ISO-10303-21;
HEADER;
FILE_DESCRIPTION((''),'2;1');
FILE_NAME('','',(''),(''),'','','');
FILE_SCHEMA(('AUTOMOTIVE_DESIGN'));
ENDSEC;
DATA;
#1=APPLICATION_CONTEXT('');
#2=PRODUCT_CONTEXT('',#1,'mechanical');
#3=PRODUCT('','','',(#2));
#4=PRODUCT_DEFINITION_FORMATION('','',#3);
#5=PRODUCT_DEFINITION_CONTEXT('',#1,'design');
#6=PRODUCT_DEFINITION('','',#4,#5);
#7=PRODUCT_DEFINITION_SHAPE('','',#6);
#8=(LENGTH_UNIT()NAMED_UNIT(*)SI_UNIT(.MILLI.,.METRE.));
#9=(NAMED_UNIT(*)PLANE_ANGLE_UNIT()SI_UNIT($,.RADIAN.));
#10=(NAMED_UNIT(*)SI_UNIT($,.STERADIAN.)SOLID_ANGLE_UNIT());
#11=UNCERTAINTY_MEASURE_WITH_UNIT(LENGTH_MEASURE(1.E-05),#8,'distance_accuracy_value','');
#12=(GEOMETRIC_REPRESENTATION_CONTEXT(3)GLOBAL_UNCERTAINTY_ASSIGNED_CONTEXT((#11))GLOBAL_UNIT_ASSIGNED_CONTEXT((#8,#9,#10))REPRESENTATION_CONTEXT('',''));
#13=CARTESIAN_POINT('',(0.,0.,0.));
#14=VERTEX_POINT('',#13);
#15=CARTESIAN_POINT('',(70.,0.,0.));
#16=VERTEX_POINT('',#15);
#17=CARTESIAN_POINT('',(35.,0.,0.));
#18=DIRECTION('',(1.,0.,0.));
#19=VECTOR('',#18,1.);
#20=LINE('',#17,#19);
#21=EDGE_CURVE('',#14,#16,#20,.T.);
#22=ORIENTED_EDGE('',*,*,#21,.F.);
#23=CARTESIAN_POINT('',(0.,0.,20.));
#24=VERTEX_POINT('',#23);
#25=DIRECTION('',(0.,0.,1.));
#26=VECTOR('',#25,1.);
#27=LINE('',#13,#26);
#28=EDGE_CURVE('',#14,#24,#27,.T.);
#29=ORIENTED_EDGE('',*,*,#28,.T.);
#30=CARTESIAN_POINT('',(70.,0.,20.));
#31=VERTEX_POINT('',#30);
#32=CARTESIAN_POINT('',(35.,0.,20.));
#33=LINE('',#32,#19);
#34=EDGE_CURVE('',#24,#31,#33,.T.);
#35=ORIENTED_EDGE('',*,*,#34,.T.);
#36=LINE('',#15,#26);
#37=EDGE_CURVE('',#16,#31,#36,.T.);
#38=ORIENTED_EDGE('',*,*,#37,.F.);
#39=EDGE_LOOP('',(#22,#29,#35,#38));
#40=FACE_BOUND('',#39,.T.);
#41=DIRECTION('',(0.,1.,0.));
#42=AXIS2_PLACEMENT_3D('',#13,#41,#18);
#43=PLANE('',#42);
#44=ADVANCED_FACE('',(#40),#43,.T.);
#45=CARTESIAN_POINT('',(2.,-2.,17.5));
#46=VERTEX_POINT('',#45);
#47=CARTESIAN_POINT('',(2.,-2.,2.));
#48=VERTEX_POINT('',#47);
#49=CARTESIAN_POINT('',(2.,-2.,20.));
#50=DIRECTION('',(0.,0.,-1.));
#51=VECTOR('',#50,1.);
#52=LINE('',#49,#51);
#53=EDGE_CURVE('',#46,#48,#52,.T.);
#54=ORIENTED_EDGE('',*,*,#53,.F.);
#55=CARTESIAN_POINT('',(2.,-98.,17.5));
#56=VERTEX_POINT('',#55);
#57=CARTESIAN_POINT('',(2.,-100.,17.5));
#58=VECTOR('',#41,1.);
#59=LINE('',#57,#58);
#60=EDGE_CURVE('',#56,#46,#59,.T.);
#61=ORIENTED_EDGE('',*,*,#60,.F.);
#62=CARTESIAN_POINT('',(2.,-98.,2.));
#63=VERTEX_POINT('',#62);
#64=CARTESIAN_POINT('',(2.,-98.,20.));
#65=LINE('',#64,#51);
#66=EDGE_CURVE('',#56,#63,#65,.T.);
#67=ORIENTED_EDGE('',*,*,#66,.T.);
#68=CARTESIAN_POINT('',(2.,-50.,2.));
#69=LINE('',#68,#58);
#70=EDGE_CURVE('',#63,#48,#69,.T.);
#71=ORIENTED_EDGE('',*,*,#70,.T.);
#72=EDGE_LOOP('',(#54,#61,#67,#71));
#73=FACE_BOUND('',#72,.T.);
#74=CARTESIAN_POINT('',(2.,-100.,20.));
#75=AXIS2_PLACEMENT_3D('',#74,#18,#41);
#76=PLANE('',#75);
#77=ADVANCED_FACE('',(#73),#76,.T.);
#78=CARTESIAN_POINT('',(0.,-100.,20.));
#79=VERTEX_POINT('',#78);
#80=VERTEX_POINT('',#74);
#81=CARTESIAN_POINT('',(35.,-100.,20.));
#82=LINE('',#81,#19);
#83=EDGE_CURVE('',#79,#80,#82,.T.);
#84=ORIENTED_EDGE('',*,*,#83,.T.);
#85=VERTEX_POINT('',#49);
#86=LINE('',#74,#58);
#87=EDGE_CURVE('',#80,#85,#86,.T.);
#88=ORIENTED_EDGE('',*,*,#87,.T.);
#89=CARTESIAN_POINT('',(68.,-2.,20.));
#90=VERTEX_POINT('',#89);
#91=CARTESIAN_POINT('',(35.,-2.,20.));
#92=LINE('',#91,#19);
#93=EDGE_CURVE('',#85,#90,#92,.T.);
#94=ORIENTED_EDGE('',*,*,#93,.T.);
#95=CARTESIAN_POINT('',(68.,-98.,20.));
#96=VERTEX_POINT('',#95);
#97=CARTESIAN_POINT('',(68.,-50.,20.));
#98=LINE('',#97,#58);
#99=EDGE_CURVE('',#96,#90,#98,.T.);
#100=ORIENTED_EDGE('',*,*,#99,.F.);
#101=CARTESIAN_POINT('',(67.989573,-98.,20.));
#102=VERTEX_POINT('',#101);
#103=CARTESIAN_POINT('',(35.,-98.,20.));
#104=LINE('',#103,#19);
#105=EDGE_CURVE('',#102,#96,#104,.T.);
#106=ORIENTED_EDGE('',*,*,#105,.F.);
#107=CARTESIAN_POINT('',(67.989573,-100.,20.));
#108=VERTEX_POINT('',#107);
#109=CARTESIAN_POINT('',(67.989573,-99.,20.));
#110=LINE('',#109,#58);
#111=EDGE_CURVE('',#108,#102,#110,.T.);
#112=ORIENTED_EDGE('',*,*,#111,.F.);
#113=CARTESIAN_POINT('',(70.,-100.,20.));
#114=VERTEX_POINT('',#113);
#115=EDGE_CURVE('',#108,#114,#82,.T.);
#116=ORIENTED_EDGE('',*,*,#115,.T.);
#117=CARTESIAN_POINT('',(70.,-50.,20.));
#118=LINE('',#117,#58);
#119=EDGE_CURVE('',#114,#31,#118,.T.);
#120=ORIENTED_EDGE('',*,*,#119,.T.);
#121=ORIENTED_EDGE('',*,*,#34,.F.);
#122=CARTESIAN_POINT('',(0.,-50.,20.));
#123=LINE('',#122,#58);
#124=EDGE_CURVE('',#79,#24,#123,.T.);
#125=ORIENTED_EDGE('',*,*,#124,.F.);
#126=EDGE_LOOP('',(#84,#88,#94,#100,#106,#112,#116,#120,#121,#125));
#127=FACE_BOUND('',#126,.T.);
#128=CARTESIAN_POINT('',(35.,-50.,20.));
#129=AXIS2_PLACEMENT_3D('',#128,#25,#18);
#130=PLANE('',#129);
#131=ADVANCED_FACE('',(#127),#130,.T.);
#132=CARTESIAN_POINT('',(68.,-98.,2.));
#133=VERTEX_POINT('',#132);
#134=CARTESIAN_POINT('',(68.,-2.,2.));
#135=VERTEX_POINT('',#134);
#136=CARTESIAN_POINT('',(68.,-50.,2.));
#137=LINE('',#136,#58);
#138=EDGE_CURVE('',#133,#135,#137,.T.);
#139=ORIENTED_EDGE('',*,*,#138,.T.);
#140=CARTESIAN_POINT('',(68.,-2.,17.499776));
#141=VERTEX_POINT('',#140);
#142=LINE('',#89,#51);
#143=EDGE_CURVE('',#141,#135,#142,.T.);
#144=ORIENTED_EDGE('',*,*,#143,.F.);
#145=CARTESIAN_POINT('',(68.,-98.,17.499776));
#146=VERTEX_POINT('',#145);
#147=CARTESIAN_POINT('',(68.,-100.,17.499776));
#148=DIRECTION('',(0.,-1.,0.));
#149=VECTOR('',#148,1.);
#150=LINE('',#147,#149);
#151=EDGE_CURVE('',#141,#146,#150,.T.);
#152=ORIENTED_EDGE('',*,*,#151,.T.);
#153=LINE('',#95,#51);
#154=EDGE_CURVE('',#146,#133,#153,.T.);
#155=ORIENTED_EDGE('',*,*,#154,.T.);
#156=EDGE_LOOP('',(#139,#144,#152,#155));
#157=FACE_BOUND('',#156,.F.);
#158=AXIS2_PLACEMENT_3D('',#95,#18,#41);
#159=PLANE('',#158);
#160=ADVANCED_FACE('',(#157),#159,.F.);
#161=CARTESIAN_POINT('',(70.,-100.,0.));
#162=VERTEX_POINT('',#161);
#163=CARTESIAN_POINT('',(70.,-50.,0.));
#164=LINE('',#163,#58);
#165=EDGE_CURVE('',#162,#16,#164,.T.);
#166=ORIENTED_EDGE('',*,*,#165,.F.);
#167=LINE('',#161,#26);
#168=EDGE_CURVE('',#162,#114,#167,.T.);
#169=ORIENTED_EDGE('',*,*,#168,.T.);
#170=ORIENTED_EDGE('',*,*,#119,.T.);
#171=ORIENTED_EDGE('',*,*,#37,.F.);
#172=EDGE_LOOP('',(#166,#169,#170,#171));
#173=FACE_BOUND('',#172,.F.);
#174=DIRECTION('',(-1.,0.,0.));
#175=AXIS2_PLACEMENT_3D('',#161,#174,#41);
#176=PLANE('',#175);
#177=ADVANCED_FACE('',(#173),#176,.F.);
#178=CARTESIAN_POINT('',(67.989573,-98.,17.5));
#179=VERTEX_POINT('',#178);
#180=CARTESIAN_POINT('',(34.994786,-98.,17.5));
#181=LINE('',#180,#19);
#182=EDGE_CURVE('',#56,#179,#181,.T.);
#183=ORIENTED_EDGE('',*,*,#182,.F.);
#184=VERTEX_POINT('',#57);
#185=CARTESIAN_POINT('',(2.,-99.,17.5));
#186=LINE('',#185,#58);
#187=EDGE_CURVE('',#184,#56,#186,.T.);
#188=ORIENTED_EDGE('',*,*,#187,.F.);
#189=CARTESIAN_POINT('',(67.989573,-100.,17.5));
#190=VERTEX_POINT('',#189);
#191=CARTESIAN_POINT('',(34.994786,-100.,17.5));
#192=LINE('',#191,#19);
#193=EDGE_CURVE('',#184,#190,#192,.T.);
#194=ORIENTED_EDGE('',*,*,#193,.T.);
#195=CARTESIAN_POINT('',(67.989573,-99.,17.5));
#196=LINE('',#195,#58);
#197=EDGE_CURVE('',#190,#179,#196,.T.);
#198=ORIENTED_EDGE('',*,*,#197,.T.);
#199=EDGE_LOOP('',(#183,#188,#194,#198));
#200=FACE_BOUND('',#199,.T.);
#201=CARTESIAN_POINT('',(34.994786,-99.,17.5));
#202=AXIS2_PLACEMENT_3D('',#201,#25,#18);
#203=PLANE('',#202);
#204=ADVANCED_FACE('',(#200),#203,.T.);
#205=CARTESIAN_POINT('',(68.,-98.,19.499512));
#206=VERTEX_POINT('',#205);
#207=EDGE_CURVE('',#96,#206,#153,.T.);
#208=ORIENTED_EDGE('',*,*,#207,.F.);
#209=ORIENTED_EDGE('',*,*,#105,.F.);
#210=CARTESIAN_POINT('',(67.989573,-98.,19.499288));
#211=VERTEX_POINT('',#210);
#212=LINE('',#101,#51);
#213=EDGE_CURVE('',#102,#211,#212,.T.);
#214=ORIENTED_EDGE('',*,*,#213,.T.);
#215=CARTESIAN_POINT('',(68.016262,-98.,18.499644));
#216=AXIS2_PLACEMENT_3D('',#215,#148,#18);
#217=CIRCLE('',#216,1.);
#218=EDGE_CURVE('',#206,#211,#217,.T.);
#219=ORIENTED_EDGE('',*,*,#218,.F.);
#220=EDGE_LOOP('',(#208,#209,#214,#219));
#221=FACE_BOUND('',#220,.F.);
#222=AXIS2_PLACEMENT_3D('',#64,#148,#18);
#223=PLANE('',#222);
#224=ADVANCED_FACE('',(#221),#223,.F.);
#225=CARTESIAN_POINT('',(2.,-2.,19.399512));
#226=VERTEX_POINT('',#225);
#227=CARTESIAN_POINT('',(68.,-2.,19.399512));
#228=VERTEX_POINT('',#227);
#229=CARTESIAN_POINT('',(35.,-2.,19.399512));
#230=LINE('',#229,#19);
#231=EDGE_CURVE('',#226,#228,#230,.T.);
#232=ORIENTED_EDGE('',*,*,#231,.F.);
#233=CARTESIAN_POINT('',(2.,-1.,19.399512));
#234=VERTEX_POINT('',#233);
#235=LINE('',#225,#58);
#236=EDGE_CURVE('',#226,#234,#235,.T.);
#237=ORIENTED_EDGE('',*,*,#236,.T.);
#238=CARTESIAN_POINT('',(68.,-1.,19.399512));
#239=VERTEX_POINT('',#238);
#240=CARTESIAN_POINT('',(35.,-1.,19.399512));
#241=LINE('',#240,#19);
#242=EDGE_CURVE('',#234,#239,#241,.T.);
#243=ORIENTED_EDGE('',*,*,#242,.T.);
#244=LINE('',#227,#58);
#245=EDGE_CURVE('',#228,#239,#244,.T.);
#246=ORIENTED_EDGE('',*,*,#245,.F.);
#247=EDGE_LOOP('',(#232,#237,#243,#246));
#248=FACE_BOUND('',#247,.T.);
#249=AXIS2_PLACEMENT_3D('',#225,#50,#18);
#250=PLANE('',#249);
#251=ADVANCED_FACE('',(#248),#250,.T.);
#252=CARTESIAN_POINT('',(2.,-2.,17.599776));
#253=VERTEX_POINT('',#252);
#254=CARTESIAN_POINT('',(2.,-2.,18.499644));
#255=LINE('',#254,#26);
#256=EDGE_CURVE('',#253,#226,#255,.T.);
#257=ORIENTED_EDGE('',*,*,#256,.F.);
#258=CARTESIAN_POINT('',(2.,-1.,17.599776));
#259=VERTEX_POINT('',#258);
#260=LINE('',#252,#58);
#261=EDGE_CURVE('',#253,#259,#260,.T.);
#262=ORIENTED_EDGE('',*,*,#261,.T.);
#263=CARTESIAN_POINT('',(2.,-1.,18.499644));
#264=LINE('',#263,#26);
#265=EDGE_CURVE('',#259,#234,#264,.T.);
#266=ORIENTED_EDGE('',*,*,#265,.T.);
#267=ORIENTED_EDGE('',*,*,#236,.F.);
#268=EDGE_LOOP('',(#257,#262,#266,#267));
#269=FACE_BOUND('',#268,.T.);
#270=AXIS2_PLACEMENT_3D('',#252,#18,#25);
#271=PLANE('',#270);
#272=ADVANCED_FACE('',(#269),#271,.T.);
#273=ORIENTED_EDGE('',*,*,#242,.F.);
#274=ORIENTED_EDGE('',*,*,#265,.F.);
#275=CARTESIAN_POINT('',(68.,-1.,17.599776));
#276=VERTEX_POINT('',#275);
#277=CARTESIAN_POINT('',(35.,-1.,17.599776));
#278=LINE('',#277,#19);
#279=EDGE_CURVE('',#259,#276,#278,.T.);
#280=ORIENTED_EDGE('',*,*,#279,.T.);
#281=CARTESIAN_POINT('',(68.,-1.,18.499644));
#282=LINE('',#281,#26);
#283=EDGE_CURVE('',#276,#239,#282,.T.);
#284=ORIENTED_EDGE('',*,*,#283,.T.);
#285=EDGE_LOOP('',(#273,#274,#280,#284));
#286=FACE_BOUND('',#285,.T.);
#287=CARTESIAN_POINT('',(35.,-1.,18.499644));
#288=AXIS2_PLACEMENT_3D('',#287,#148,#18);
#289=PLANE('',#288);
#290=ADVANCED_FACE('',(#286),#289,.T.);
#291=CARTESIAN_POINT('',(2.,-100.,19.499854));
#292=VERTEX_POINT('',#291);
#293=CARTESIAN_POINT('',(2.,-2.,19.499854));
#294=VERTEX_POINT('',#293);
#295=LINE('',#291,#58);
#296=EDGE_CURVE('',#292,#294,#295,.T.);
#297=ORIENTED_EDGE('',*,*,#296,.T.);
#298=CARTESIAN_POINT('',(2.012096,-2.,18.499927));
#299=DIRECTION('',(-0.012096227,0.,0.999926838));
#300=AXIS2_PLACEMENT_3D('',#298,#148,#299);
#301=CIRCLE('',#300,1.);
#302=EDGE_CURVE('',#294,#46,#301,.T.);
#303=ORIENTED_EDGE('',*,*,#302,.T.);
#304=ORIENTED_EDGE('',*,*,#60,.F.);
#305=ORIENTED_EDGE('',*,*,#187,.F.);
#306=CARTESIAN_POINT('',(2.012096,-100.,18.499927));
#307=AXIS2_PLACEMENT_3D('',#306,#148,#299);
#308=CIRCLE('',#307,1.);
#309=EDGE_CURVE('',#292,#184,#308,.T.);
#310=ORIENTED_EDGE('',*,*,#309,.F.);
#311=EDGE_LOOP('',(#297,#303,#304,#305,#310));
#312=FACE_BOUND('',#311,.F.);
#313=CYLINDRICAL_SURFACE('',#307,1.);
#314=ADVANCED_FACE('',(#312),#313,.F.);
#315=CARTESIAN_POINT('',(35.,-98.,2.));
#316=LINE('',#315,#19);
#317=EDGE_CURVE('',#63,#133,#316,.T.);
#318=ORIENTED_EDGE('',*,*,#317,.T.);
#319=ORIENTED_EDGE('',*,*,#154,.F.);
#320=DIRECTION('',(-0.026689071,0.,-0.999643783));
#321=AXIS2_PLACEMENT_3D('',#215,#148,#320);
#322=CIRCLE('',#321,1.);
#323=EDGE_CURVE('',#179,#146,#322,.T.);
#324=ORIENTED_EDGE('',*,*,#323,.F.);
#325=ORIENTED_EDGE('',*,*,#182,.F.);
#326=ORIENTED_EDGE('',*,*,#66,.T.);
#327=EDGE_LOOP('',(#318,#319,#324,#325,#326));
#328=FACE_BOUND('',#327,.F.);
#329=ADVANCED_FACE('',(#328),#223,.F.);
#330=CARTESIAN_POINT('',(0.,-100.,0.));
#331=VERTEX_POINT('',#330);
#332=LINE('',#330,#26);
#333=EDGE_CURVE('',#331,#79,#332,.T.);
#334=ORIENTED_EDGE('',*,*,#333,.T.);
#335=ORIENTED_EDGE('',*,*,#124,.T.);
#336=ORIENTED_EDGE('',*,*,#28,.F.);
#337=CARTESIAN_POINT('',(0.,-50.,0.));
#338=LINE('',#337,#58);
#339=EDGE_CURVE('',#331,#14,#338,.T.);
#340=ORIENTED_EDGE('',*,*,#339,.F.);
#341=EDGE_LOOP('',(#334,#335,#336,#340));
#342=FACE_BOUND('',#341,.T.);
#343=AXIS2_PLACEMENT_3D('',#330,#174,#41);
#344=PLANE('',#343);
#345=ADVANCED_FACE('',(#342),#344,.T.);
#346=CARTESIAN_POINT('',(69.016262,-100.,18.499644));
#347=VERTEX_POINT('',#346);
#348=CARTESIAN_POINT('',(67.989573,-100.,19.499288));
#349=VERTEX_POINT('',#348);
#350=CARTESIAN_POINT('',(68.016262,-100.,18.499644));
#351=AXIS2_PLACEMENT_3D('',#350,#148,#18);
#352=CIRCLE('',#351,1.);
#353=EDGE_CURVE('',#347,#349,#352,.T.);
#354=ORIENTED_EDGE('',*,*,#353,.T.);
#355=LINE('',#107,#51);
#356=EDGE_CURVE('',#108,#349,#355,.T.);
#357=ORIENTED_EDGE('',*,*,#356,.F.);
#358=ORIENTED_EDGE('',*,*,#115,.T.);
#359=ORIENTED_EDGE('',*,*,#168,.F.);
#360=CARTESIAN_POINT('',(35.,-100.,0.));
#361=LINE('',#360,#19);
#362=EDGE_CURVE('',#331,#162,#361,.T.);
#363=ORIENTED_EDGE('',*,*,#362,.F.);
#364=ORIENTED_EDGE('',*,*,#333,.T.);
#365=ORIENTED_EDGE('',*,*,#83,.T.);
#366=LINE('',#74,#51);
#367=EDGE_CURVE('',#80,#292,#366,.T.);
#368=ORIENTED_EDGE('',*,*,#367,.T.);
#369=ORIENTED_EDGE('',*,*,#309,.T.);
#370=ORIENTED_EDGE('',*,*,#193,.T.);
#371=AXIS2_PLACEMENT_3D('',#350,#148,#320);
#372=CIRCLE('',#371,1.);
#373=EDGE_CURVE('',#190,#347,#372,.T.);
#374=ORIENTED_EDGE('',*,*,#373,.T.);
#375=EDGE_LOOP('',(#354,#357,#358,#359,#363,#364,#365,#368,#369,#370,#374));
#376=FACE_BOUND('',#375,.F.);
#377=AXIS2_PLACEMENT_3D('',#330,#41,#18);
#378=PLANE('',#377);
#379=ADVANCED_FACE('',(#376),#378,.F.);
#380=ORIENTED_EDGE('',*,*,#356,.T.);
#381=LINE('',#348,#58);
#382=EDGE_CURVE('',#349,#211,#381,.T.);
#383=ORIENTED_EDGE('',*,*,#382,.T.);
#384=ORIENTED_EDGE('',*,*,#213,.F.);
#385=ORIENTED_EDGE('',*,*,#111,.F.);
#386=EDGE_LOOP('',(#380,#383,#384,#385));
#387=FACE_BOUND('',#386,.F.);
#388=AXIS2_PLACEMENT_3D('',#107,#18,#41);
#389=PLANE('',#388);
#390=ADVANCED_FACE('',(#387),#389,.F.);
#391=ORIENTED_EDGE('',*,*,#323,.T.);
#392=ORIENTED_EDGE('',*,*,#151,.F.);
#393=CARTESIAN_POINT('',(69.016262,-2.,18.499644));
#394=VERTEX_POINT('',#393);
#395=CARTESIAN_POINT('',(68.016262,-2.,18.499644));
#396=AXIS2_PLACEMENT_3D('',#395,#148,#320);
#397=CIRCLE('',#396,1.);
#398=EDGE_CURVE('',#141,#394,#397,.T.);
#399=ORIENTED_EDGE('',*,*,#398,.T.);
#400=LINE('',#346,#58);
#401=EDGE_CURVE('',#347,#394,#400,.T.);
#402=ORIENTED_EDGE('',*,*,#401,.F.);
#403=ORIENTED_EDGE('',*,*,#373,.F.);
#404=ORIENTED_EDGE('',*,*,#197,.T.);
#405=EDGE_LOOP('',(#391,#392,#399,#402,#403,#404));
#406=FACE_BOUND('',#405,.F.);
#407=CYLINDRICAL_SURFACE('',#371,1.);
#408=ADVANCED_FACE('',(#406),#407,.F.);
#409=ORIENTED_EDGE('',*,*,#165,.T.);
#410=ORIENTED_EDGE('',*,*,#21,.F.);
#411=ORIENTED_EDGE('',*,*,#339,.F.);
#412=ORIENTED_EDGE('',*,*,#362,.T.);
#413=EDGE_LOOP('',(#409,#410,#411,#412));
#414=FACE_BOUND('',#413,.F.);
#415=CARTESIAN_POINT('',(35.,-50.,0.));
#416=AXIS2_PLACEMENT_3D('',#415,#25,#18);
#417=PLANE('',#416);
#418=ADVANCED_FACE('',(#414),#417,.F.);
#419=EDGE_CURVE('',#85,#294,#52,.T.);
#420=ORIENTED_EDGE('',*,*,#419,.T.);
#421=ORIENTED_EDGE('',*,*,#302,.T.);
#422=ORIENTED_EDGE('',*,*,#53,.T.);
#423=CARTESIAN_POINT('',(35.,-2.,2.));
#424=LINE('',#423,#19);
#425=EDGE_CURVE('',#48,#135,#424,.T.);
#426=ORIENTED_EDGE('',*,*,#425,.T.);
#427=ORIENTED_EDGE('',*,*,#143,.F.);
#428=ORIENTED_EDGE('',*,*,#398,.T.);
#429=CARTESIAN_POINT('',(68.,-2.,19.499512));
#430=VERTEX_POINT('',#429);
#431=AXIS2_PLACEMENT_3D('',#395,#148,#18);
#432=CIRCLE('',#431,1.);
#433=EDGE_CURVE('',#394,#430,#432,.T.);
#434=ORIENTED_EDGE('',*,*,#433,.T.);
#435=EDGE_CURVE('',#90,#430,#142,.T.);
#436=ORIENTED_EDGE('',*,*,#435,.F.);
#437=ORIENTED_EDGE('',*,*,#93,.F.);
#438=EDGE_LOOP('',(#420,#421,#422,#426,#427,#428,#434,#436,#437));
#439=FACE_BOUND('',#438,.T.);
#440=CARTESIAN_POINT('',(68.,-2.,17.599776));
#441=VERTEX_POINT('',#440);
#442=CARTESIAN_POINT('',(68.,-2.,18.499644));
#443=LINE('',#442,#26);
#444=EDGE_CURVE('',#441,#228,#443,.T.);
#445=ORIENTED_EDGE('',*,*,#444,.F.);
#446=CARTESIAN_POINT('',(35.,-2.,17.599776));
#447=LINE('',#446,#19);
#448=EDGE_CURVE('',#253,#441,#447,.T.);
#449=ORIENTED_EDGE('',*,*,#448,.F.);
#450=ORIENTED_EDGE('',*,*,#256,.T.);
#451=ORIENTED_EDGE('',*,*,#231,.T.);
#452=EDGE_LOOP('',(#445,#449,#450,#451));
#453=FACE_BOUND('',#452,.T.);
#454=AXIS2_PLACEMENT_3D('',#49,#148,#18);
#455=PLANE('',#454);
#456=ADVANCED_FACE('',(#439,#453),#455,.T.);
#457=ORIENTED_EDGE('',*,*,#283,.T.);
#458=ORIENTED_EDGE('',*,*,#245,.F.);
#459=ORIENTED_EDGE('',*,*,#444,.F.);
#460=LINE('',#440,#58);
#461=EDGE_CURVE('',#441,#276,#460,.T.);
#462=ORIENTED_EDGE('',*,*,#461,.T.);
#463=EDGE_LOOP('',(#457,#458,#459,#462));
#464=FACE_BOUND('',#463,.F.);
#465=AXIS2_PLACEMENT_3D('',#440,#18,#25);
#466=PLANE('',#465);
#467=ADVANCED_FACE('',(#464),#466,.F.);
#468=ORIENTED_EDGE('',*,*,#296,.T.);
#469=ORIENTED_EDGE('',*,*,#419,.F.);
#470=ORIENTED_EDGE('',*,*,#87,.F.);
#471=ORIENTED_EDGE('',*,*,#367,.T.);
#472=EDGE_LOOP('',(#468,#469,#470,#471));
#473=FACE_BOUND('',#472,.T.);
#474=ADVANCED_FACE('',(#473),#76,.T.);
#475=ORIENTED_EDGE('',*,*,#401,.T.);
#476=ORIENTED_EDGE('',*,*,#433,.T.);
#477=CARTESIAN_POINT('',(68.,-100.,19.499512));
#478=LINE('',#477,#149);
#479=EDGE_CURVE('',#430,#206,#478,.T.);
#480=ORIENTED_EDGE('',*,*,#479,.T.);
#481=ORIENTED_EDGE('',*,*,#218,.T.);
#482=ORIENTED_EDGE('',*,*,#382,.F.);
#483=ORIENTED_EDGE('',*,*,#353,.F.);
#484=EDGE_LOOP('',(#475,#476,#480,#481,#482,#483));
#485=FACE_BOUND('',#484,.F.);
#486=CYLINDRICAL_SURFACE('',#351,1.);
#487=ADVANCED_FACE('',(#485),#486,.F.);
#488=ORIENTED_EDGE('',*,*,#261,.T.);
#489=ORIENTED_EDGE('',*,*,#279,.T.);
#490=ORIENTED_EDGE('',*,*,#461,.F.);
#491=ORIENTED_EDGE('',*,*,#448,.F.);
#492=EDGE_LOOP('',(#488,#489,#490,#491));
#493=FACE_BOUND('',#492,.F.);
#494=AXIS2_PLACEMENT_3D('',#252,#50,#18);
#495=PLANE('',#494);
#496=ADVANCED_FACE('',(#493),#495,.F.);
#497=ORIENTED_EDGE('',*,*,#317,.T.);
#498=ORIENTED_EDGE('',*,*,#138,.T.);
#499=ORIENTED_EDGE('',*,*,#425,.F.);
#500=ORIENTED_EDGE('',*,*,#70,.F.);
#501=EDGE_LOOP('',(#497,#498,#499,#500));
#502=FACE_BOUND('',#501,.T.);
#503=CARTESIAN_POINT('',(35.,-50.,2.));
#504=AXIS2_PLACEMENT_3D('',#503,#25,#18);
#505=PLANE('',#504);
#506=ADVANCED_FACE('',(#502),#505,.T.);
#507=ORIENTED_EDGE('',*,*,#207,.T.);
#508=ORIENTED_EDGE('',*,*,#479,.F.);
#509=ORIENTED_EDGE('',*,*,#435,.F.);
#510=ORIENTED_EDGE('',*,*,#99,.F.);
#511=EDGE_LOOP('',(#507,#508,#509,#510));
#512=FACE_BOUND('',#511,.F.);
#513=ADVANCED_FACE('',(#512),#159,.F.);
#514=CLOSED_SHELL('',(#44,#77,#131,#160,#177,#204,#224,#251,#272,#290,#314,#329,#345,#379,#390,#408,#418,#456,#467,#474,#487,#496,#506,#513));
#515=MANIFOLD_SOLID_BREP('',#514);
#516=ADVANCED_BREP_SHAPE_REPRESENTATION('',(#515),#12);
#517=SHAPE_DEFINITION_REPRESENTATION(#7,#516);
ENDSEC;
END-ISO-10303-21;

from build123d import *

# Parameters (mm, degrees)
F0_W     = 70
F0_H     = 100
F1_DEPTH = 20
F2_W     = 66
F2_H     = 96
F3_DEPTH = 18
F4_W     = 65.9895728827
F4_H     = 2
F5_DEPTH = 2.5
F7_DEPTH = 98
F8_W     = 66
F8_H     = 1.7997355314
F9_DEPTH = 1


with BuildPart() as f1:
    # F0 (on Top) → F1 (new body)
    with BuildSketch(Plane.XY):
        with Locations((35, -50)):
            Rectangle(F0_W, F0_H)
    extrude(amount=F1_DEPTH)

    # F2 (on face) → F3 (cut)
    with BuildSketch(Plane.XY.offset(20)):
        with Locations((35, -50)):
            Rectangle(F2_W, F2_H)
    extrude(amount=-F3_DEPTH, mode=Mode.SUBTRACT)

    # F4 (on face) → F5 (cut)
    with BuildSketch(Plane.XY.offset(20)):
        with Locations((34.9947864413, -99)):
            Rectangle(F4_W, F4_H)
    extrude(amount=-F5_DEPTH, mode=Mode.SUBTRACT)

    # F6 (on face) → F7 (cut)
    with BuildSketch(Plane.XZ.offset(100)):
        with BuildLine():
            Line((67.9895728827, 19.4992875666), (67.9895728827, 17.5))
            ThreePointArc((67.9895728827, 17.5), (68.7138689095, 17.7831631236), (69.016261954, 18.4996437833))
            ThreePointArc((69.016261954, 18.4996437833), (68.7138689095, 19.216124443), (67.9895728827, 19.4992875666))
        make_face()
        with BuildLine():
            ThreePointArc((2, 19.4998536759), (1.0120962274, 18.499926838), (2, 17.5))
            Line((2, 17.5), (2, 19.4998536759))
        make_face()
    extrude(amount=-F7_DEPTH, mode=Mode.SUBTRACT)

    # F8 (on face) → F9 (cut)
    with BuildSketch(Plane.XZ.offset(2)):
        with Locations((35, 18.4996437833)):
            Rectangle(F8_W, F8_H)
    extrude(amount=-F9_DEPTH, mode=Mode.SUBTRACT)


solid = f1.part
